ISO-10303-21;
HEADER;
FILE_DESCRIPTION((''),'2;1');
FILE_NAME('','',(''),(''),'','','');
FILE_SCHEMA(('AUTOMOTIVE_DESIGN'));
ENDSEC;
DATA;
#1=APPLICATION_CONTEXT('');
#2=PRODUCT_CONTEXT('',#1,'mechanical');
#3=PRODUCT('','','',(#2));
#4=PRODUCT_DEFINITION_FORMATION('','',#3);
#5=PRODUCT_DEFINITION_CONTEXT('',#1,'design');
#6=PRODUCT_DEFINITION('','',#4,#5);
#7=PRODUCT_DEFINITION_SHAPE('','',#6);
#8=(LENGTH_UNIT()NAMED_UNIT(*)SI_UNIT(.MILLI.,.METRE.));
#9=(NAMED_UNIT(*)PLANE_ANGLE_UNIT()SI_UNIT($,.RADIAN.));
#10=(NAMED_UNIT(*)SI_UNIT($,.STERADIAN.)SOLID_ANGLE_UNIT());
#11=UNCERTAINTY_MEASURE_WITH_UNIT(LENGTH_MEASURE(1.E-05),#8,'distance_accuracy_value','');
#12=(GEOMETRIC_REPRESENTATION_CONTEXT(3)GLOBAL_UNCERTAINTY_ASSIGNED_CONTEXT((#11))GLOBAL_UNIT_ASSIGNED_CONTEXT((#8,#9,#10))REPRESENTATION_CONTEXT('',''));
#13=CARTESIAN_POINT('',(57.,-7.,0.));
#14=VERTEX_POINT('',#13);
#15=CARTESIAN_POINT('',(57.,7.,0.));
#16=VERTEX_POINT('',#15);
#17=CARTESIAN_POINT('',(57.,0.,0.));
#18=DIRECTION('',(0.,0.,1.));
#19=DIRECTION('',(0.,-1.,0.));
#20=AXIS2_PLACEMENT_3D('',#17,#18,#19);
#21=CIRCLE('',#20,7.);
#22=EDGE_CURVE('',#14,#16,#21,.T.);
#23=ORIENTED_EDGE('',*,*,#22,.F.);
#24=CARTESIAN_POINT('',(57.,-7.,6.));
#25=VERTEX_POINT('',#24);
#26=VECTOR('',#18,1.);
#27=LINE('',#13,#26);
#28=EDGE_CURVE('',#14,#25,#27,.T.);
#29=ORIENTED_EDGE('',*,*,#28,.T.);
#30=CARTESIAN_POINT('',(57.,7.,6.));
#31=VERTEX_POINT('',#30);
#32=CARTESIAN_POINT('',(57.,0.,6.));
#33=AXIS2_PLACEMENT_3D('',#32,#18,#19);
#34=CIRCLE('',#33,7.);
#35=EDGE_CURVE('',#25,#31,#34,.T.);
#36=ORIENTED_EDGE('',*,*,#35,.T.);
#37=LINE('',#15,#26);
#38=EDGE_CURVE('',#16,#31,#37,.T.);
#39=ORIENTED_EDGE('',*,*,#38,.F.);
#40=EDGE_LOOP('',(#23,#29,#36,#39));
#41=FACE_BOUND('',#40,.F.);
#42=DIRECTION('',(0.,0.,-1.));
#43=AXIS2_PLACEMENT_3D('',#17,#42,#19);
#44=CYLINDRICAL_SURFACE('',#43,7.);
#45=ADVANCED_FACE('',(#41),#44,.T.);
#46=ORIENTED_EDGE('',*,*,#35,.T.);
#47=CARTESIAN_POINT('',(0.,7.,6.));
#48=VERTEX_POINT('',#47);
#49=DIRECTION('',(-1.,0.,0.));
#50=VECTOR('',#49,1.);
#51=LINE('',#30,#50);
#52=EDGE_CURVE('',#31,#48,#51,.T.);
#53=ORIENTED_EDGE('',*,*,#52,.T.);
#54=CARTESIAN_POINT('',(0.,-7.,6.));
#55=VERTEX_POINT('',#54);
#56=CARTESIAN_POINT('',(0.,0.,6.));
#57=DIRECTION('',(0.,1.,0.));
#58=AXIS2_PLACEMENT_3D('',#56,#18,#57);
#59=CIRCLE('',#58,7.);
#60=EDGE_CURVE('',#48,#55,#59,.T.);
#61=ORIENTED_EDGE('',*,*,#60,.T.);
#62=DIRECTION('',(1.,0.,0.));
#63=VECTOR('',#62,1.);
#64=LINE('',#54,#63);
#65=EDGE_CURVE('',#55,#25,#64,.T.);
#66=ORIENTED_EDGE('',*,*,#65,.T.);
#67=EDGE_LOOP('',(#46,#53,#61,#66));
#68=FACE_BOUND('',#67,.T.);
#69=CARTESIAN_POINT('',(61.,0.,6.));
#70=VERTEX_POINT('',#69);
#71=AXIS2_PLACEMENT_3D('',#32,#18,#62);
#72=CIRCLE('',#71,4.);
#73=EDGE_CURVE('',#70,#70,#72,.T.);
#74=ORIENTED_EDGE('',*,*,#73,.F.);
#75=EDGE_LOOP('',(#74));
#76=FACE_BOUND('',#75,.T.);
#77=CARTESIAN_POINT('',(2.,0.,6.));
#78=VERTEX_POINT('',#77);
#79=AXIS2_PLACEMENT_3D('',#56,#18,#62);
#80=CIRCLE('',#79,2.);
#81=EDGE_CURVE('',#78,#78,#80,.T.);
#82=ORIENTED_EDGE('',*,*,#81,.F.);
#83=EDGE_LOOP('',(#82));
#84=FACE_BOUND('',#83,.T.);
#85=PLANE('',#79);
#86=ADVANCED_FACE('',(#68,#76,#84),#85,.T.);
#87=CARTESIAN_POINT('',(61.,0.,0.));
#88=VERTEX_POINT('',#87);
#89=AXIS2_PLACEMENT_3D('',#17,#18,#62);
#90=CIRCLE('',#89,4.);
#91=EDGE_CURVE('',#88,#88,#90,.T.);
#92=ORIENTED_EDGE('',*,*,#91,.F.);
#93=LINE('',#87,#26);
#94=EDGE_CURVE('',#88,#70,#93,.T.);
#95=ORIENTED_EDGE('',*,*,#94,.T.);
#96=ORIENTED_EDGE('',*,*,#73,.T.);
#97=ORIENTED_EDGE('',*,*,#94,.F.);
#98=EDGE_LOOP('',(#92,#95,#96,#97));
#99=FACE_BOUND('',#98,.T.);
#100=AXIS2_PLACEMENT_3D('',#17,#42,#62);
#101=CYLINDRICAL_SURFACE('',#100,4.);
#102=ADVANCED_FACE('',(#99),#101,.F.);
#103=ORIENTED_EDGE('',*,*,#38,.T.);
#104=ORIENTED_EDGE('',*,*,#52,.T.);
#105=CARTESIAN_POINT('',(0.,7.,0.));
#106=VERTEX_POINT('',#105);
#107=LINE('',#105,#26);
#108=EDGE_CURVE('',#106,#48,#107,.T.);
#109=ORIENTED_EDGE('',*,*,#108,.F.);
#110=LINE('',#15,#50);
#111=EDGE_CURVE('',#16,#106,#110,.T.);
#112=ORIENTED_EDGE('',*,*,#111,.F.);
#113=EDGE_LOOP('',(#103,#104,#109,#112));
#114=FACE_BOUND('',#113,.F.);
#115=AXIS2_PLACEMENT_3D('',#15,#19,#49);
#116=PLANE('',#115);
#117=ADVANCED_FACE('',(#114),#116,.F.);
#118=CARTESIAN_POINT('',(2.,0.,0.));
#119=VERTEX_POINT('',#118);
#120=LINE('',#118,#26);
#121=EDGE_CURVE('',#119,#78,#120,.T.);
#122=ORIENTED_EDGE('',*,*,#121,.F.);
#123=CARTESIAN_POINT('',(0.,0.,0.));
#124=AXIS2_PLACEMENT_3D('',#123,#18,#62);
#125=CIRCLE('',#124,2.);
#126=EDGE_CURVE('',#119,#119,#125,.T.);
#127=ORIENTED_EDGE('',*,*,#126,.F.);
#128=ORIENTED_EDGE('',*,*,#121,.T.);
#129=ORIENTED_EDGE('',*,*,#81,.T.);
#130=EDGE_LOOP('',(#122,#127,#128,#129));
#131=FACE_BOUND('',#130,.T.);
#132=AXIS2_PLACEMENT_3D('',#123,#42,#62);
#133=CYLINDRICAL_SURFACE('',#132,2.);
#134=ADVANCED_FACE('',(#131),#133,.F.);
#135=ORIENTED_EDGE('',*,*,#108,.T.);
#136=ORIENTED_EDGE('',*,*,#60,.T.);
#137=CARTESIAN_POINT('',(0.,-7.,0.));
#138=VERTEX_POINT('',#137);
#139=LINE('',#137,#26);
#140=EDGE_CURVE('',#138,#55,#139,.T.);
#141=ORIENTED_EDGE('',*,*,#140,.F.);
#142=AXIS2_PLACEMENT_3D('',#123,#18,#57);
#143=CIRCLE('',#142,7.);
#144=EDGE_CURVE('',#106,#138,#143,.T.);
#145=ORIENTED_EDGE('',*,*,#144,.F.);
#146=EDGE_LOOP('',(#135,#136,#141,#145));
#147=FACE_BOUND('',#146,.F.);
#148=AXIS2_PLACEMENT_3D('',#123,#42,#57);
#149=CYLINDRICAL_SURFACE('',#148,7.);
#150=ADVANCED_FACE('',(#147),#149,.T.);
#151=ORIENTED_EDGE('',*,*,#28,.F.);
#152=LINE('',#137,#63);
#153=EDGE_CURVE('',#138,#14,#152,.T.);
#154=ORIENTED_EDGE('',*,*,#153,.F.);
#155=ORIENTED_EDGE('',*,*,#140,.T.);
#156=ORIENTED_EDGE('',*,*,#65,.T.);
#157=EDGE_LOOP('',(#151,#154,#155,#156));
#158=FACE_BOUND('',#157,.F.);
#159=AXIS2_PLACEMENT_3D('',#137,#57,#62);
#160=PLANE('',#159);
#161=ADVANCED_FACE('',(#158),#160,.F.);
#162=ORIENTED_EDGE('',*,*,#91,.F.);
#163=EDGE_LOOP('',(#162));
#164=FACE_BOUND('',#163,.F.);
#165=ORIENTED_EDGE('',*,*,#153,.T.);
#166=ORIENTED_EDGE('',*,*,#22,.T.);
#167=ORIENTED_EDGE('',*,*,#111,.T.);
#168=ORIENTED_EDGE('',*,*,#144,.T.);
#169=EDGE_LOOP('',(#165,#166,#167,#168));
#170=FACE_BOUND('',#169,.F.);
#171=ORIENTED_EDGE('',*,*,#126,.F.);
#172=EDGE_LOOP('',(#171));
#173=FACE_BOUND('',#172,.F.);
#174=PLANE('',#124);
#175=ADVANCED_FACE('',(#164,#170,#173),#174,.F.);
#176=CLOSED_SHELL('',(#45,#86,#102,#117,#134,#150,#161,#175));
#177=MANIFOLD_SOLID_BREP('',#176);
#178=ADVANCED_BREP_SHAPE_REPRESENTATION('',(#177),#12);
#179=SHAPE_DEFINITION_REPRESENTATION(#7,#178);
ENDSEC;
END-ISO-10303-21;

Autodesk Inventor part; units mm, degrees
ref_plane "YZ Plane" through (0, 0, 0) normal (1, 0, 0) x (0, 1, 0)
ref_plane "XZ Plane" through (0, 0, 0) normal (0, 1, 0) x (-1, 0, 0)
ref_plane "XY Plane" through (0, 0, 0) normal (0, 0, 1) x (1, 0, 0)
sketch "Эскиз1" plane through (0, 0, 0) normal (0, 0, 1) x (1, 0, 0)
  line L0 (0, 0) -> (57, 0) construction
  line L1 (0, -7) -> (57, -7)
  line L2 (57, 7) -> (0, 7)
  arc A0 (0, 7) -> (0, -7) centre (0, 0) ccw
  arc A1 (57, -7) -> (57, 7) centre (57, 0) ccw
  circle A2 centre (57, 0) radius 4
  circle A3 centre (0, 0) radius 2
  point P0 (28.5, 0)
  dimension "d0" = 8
  dimension "d1" = 4
  dimension "d2" = 57
  dimension "d3" = 7
extrude "Выдавливание1" add sketch "Эскиз1" along normal blind 6
properties part number "Рычаг натяжителя"
